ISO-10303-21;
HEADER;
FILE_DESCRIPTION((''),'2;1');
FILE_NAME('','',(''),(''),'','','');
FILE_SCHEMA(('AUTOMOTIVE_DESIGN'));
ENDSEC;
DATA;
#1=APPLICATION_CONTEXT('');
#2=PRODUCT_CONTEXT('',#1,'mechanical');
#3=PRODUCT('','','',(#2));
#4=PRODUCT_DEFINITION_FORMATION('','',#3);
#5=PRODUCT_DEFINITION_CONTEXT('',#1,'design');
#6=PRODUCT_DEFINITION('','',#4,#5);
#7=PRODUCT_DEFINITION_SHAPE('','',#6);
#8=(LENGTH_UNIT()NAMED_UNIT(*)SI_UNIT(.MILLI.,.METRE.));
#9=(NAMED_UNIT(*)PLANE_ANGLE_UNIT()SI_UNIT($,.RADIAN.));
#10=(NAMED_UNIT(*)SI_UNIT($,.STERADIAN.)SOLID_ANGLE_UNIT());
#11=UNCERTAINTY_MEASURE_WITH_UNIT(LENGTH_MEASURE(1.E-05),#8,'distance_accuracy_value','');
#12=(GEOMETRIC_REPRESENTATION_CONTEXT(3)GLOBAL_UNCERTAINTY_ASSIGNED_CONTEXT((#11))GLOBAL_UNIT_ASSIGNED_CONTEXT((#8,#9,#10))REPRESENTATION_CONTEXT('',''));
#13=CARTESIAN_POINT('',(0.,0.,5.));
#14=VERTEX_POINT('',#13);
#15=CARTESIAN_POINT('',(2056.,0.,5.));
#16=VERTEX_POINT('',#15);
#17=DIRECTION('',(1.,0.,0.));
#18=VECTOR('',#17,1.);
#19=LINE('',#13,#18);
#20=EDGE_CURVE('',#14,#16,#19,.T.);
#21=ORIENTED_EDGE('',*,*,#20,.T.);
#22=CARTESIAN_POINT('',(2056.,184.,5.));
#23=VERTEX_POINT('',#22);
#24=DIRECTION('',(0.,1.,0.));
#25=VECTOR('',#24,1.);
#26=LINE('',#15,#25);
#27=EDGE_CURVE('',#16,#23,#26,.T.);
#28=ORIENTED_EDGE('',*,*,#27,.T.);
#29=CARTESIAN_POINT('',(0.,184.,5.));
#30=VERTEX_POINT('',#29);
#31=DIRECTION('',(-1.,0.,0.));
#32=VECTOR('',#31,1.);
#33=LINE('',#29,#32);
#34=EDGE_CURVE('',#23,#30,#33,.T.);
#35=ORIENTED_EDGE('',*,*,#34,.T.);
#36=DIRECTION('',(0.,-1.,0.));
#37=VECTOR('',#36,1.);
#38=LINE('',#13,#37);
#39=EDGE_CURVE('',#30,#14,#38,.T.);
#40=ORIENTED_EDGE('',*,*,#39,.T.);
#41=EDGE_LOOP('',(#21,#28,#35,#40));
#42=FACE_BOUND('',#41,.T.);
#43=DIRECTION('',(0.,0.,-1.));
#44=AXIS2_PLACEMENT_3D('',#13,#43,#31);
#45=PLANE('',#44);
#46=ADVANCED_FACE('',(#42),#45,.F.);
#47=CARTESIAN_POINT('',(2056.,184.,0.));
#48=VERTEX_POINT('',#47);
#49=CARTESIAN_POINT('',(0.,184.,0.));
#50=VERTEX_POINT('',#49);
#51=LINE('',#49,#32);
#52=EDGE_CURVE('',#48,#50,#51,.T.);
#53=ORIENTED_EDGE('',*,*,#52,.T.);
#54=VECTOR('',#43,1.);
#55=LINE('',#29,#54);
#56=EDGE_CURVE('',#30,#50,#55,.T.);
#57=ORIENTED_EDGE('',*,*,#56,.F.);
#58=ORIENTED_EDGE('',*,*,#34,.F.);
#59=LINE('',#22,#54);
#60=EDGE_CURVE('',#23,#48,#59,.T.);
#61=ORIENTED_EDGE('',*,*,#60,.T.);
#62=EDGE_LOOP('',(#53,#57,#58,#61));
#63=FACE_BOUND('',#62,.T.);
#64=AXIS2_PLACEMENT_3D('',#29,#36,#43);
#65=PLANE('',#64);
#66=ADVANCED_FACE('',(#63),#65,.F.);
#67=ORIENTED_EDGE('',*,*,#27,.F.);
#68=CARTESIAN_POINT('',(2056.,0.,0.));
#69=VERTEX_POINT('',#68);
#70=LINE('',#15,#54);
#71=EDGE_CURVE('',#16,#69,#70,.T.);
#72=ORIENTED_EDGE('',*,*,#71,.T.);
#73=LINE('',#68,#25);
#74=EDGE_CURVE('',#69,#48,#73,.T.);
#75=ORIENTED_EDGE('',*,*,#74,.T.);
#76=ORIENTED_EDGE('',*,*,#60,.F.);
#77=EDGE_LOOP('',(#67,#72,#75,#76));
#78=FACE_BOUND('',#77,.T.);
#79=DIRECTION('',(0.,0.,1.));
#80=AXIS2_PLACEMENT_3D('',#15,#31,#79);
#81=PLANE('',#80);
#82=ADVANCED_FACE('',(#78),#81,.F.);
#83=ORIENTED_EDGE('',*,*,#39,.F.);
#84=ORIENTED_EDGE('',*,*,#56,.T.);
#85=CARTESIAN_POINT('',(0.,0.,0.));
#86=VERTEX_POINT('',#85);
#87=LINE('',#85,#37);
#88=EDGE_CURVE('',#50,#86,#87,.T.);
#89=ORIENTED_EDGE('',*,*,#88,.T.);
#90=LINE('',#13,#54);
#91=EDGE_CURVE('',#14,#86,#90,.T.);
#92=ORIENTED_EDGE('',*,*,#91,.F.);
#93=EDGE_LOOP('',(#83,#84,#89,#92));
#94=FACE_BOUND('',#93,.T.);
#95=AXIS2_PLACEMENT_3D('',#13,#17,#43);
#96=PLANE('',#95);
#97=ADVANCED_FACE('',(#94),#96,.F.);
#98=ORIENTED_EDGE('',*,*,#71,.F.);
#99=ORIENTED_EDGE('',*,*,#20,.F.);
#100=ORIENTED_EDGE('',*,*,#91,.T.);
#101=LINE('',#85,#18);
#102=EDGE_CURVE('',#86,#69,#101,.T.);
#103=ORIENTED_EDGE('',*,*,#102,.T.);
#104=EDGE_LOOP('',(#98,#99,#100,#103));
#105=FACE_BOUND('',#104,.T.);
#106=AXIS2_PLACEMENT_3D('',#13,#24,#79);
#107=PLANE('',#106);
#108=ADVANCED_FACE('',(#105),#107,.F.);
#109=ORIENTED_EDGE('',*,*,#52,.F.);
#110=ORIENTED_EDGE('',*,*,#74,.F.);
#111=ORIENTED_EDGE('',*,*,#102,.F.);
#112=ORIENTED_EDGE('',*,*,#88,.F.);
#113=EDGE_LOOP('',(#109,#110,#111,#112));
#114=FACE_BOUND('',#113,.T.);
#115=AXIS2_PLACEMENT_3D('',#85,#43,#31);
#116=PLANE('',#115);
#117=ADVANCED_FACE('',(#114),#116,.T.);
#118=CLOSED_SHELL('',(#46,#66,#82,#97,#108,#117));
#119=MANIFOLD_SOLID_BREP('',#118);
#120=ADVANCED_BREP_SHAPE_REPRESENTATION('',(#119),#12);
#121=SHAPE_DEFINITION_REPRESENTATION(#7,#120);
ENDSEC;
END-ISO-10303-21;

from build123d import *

# Parameters (mm, degrees)
SKETCH_1_W      = 2056
SKETCH_1_H      = 184
EXTRUDE_1_DEPTH = 5


with BuildPart() as part:
    # 草图1 → 凸台-拉伸1 (new body)
    with BuildSketch(Plane.XY):
        with Locations((1028, 92)):
            Rectangle(SKETCH_1_W, SKETCH_1_H)
    extrude(amount=EXTRUDE_1_DEPTH)


solid = part.part
